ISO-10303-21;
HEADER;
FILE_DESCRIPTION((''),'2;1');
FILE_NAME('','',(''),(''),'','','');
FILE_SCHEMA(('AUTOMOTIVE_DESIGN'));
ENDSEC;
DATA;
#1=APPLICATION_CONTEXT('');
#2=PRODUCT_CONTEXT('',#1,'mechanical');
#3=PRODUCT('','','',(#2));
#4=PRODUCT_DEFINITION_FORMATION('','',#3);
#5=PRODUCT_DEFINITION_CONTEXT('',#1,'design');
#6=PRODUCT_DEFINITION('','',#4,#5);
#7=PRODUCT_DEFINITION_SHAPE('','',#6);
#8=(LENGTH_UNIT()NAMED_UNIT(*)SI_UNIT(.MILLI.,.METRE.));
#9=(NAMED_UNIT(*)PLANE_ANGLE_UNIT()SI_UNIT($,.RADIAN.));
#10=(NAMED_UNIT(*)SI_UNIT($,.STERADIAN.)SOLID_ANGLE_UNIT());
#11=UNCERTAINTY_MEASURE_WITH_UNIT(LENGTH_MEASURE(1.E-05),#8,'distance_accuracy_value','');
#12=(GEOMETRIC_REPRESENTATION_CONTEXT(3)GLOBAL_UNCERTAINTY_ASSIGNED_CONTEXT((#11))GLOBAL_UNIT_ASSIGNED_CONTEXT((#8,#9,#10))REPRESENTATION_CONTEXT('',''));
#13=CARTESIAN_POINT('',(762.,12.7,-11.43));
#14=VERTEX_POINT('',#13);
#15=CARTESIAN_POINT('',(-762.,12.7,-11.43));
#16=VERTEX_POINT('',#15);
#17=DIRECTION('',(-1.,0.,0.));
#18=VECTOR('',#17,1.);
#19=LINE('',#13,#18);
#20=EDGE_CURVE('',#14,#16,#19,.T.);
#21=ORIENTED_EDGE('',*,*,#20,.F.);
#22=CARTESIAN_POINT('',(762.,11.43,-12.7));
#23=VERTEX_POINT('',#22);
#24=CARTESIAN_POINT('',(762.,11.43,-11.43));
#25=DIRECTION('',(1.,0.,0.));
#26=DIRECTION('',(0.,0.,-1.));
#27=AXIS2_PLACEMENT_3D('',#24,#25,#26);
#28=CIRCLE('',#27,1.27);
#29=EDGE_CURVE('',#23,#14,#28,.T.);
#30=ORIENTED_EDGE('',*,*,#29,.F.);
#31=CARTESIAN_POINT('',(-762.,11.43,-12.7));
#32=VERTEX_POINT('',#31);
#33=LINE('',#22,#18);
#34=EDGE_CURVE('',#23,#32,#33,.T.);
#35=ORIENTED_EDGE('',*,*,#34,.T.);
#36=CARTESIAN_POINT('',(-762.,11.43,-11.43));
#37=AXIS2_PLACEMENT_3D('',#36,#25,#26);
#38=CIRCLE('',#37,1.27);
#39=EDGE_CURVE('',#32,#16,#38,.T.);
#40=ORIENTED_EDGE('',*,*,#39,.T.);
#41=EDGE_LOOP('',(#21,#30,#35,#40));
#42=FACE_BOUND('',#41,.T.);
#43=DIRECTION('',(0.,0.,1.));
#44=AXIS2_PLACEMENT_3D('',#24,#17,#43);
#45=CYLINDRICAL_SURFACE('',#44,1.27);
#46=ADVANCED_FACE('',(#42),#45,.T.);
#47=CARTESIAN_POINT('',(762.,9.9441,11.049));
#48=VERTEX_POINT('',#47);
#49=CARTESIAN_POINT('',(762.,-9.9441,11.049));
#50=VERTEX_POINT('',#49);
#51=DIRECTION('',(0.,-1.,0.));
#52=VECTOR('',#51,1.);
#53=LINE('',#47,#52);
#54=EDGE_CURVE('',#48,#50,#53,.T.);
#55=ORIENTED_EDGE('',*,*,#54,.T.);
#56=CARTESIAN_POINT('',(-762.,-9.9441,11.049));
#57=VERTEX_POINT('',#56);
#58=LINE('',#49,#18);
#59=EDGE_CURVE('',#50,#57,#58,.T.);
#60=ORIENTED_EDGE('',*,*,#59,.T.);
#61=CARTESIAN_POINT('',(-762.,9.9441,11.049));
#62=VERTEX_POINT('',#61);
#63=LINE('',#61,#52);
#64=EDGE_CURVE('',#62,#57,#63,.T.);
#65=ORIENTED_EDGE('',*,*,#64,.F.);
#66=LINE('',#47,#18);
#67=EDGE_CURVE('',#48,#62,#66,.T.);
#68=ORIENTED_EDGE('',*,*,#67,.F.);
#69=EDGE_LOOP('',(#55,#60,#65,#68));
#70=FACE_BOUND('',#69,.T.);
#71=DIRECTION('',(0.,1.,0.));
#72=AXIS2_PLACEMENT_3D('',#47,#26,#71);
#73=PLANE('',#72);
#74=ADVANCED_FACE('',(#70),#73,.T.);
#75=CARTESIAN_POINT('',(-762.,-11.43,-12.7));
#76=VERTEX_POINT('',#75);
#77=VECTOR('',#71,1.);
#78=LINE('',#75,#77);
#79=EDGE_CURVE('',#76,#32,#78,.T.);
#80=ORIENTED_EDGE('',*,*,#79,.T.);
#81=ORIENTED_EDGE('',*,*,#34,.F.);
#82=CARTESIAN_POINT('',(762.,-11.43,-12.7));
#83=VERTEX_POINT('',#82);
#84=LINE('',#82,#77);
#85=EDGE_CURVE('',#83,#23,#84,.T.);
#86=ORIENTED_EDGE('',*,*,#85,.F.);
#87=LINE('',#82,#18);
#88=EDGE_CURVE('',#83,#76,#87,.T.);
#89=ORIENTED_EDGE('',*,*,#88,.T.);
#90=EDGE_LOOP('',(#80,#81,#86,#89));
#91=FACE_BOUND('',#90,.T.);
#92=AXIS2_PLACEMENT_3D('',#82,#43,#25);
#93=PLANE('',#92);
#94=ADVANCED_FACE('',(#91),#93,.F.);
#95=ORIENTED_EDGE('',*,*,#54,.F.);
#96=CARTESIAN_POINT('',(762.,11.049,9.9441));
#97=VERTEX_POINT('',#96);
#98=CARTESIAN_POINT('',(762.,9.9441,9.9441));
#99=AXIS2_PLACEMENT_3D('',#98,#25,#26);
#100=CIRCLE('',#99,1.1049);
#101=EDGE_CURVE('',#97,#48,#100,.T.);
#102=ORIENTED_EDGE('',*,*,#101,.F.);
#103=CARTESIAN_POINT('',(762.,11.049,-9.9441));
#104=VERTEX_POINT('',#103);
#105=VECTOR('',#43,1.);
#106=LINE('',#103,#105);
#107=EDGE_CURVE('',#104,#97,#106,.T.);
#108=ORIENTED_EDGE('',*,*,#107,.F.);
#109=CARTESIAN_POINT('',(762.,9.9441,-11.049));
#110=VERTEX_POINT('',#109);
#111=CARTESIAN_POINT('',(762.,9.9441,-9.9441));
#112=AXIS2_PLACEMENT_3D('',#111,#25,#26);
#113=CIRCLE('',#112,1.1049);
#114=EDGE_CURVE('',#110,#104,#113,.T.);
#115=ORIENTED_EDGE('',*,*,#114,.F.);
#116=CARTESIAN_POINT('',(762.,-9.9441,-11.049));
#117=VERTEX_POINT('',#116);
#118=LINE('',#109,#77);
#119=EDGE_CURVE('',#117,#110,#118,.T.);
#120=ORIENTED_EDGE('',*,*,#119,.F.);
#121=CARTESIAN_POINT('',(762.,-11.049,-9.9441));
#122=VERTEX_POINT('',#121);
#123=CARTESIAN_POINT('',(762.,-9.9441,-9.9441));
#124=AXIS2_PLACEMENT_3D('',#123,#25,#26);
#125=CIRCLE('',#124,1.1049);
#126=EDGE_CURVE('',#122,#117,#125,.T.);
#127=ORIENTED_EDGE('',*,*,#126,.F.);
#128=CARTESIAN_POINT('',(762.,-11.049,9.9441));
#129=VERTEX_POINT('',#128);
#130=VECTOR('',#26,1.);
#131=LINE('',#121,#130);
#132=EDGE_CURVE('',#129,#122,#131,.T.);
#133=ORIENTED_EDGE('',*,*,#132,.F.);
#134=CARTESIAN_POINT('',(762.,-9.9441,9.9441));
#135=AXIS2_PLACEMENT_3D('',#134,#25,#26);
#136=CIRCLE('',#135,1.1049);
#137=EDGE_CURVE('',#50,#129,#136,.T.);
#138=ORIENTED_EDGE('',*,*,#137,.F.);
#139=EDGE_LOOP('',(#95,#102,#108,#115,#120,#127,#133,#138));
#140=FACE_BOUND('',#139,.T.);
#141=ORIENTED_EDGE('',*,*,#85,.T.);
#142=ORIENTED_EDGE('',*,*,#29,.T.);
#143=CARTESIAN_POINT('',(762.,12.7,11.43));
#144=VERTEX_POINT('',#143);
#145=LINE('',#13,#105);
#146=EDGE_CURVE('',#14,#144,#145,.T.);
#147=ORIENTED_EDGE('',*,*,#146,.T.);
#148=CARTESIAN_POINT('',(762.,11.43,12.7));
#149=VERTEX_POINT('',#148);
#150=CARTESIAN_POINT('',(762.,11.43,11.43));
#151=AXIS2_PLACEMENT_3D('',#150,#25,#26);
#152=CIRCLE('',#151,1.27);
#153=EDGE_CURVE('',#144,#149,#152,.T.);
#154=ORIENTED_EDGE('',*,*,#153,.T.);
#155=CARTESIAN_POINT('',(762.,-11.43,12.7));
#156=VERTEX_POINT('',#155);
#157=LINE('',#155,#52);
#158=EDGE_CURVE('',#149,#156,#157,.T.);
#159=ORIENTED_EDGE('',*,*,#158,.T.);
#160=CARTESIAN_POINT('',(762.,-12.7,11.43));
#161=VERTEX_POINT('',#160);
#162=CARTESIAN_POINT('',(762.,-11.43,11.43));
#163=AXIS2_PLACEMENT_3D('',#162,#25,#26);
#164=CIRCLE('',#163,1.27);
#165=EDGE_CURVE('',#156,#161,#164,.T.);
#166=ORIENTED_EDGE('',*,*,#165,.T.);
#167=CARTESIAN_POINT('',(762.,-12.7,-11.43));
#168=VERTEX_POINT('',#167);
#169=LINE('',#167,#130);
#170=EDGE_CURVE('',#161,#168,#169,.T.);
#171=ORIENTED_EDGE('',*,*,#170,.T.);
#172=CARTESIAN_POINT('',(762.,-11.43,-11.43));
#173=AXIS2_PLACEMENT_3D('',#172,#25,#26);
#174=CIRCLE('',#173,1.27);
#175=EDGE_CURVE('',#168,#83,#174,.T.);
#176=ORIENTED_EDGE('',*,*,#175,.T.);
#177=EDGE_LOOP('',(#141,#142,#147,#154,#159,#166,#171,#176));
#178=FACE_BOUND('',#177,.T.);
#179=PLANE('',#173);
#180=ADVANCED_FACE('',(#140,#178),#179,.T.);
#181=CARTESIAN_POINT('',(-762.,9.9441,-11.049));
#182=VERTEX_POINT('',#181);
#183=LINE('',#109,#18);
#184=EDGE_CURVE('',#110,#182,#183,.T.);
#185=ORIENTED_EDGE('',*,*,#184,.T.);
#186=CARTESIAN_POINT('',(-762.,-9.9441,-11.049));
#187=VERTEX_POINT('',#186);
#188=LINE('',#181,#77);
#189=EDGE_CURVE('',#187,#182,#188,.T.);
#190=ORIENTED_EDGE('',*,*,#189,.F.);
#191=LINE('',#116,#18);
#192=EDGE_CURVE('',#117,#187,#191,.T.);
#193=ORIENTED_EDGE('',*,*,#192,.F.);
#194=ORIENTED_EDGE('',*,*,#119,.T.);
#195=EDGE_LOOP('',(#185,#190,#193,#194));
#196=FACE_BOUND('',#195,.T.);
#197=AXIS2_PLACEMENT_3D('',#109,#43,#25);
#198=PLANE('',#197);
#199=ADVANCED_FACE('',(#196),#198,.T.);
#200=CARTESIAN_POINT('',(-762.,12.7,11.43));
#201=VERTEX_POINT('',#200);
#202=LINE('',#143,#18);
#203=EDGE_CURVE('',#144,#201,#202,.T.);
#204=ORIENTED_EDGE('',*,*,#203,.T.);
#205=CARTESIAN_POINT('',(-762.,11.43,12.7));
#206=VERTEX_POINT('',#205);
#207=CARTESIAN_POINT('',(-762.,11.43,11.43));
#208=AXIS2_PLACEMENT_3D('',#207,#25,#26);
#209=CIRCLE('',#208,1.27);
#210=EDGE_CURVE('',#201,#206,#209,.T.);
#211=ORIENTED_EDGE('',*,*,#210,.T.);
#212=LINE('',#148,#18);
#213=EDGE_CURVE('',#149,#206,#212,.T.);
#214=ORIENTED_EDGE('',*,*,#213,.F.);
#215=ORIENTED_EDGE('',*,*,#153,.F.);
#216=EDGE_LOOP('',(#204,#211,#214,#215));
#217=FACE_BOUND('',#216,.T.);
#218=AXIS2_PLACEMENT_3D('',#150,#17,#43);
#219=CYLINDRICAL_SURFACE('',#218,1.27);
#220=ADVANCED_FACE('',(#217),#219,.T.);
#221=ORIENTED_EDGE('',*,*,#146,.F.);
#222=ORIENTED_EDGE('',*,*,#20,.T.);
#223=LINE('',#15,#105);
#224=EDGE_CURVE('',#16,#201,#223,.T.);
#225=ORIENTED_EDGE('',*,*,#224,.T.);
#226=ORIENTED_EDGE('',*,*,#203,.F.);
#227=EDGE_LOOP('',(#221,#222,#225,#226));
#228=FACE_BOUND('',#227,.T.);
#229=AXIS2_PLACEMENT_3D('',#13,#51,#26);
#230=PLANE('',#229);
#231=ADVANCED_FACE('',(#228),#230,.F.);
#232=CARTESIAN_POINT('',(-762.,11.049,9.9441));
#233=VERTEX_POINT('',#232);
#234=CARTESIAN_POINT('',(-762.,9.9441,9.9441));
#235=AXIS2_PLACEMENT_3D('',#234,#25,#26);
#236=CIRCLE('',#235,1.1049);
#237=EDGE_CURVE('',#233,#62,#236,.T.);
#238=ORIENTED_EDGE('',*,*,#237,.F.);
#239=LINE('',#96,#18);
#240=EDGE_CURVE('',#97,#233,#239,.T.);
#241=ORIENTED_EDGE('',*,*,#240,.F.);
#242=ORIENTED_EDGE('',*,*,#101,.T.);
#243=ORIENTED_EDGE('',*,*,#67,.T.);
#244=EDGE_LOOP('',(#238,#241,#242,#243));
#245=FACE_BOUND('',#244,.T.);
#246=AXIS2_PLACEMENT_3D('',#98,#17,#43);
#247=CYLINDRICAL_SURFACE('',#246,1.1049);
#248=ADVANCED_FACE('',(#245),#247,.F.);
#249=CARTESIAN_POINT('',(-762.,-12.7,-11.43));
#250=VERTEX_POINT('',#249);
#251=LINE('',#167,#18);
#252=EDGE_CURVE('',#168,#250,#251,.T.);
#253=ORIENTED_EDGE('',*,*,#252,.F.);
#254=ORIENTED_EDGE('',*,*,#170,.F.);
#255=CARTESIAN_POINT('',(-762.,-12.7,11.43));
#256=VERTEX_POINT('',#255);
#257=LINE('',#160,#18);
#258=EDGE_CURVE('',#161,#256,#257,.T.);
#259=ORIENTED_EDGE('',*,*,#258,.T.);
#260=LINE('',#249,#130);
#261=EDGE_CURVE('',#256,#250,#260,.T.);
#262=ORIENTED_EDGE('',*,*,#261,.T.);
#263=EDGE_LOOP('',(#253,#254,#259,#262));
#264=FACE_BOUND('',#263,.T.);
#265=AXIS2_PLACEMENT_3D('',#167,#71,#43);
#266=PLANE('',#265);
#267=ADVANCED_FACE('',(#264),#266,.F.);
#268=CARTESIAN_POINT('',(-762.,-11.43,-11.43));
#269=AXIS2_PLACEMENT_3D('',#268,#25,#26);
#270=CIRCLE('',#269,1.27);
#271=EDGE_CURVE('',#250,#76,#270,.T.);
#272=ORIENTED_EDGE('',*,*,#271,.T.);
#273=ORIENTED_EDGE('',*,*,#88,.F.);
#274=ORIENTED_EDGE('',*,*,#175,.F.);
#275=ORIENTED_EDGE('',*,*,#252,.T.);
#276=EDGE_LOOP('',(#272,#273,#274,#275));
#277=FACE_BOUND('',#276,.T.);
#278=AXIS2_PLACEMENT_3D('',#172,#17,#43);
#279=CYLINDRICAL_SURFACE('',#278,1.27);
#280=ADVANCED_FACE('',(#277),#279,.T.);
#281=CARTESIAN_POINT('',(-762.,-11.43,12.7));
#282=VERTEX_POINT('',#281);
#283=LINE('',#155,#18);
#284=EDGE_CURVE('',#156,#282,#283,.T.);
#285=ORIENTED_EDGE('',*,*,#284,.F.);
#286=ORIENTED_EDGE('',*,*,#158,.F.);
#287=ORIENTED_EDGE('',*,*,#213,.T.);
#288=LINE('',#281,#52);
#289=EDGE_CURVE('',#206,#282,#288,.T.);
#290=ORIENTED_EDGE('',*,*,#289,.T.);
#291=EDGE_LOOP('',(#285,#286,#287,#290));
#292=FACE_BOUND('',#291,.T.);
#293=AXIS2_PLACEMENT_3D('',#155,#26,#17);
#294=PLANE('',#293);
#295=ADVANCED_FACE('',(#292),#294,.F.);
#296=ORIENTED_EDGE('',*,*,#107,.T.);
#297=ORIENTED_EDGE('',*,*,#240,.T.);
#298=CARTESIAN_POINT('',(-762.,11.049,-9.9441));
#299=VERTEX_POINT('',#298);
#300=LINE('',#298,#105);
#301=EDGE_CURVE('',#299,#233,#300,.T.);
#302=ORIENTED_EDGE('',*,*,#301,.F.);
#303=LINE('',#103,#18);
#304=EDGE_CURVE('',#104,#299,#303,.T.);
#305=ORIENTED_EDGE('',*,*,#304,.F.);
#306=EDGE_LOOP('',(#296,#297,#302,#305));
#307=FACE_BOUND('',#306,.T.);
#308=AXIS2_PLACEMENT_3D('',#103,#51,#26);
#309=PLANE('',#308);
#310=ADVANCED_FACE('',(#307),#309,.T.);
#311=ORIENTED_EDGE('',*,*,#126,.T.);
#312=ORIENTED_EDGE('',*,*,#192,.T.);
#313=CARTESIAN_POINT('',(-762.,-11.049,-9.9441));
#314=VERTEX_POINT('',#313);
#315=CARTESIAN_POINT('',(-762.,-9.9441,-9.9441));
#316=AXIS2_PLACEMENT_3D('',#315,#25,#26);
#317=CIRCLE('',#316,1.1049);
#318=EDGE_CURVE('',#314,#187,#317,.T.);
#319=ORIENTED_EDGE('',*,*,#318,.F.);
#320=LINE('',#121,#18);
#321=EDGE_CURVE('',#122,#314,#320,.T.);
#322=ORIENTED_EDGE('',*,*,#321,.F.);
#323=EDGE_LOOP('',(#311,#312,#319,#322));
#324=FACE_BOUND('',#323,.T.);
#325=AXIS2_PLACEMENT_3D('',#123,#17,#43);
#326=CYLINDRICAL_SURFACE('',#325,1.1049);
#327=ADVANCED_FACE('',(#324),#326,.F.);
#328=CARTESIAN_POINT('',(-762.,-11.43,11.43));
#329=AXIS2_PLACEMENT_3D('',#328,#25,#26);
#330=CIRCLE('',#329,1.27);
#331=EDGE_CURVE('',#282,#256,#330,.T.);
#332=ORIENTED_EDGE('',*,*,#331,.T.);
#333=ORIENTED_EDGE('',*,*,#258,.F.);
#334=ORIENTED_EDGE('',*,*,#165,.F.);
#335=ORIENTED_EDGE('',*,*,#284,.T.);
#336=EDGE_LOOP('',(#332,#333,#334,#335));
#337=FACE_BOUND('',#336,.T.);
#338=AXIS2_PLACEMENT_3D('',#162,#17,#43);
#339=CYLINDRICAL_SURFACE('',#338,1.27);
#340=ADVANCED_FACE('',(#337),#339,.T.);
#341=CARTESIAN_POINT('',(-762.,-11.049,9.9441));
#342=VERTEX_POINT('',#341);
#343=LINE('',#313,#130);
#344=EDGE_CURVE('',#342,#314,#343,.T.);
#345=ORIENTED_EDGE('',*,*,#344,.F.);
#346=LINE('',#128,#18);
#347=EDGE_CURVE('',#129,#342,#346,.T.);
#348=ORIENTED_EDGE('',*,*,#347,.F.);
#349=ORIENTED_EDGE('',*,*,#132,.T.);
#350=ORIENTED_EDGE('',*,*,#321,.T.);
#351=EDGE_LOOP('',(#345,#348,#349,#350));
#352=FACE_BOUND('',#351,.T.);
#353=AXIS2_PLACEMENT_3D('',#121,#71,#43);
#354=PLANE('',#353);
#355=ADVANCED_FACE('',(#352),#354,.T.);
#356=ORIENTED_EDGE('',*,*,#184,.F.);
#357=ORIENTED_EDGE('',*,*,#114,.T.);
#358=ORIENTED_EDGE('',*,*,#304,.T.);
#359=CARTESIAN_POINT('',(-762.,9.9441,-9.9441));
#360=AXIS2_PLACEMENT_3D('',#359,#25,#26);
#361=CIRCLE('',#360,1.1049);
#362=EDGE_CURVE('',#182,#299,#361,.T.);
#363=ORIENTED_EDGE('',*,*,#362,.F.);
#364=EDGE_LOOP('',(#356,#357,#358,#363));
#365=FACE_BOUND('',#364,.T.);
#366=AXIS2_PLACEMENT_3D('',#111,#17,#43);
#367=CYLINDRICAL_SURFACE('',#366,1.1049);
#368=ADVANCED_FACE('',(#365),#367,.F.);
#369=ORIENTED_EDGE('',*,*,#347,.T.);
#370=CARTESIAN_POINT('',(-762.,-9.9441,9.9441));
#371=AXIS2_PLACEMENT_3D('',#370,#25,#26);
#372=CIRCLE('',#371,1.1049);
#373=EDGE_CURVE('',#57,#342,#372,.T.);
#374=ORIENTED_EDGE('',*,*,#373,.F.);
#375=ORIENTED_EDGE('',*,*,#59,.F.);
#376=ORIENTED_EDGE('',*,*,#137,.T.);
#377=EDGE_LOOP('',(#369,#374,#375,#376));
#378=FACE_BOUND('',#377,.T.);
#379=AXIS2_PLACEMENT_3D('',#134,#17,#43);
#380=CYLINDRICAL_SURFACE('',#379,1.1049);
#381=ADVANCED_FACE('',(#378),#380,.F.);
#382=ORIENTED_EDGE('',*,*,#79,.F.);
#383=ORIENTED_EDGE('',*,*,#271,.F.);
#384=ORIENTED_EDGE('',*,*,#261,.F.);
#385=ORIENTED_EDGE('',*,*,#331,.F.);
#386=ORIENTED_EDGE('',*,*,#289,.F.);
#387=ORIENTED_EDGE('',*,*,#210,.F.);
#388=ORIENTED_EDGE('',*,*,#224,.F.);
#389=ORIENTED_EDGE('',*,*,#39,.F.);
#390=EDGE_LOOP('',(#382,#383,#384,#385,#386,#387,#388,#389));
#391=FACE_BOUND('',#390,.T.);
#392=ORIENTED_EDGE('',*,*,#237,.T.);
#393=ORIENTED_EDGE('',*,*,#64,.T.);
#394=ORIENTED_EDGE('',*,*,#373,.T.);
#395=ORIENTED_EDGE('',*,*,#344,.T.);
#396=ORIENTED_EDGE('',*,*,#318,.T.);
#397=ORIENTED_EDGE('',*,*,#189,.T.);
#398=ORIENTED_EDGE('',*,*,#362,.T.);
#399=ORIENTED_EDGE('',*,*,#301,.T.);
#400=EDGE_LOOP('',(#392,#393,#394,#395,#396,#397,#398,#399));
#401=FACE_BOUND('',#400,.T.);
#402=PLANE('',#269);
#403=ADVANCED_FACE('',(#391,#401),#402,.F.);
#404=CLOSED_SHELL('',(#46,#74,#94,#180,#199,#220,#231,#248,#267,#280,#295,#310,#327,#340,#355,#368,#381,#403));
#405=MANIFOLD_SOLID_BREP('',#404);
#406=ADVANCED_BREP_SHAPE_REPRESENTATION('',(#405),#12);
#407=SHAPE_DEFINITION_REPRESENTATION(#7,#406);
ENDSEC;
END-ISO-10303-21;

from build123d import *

# Parameters (mm, degrees)
BOSS_EXTRUDE1_DEPTH      = 762
BOSS_EXTRUDE1_DEPTH_BACK = 762


with BuildPart() as part:
    # Sketch4 → Boss-Extrude1 (new, two sides: drawn at the far end of the back side and taken through both)
    with BuildSketch(Plane(origin=(0, 0, 0), x_dir=(0, 0, -1), z_dir=(1, 0, 0)).offset(-BOSS_EXTRUDE1_DEPTH_BACK)):
        with BuildLine():
            Line((12.7, -11.43), (12.7, 11.43))
            ThreePointArc((12.7, 11.43), (12.328025612, 12.328025612), (11.43, 12.7))
            Line((11.43, 12.7), (-11.43, 12.7))
            ThreePointArc((-11.43, 12.7), (-12.328025612, 12.328025612), (-12.7, 11.43))
            Line((-12.7, 11.43), (-12.7, -11.43))
            ThreePointArc((-12.7, -11.43), (-12.328025612, -12.328025612), (-11.43, -12.7))
            Line((-11.43, -12.7), (11.43, -12.7))
            ThreePointArc((11.43, -12.7), (12.328025612, -12.328025612), (12.7, -11.43))
        make_face()
        with BuildLine():
            Line((11.049, 9.9441), (11.049, -9.9441))
            ThreePointArc((11.049, -9.9441), (10.725382283, -10.725382283), (9.9441, -11.049))
            Line((9.9441, -11.049), (-9.9441, -11.049))
            ThreePointArc((-9.9441, -11.049), (-10.725382283, -10.725382283), (-11.049, -9.9441))
            Line((-11.049, -9.9441), (-11.049, 9.9441))
            ThreePointArc((-11.049, 9.9441), (-10.725382283, 10.725382283), (-9.9441, 11.049))
            Line((-9.9441, 11.049), (9.9441, 11.049))
            ThreePointArc((9.9441, 11.049), (10.725382283, 10.725382283), (11.049, 9.9441))
        make_face(mode=Mode.SUBTRACT)
    extrude(amount=BOSS_EXTRUDE1_DEPTH + BOSS_EXTRUDE1_DEPTH_BACK)


solid = part.part
